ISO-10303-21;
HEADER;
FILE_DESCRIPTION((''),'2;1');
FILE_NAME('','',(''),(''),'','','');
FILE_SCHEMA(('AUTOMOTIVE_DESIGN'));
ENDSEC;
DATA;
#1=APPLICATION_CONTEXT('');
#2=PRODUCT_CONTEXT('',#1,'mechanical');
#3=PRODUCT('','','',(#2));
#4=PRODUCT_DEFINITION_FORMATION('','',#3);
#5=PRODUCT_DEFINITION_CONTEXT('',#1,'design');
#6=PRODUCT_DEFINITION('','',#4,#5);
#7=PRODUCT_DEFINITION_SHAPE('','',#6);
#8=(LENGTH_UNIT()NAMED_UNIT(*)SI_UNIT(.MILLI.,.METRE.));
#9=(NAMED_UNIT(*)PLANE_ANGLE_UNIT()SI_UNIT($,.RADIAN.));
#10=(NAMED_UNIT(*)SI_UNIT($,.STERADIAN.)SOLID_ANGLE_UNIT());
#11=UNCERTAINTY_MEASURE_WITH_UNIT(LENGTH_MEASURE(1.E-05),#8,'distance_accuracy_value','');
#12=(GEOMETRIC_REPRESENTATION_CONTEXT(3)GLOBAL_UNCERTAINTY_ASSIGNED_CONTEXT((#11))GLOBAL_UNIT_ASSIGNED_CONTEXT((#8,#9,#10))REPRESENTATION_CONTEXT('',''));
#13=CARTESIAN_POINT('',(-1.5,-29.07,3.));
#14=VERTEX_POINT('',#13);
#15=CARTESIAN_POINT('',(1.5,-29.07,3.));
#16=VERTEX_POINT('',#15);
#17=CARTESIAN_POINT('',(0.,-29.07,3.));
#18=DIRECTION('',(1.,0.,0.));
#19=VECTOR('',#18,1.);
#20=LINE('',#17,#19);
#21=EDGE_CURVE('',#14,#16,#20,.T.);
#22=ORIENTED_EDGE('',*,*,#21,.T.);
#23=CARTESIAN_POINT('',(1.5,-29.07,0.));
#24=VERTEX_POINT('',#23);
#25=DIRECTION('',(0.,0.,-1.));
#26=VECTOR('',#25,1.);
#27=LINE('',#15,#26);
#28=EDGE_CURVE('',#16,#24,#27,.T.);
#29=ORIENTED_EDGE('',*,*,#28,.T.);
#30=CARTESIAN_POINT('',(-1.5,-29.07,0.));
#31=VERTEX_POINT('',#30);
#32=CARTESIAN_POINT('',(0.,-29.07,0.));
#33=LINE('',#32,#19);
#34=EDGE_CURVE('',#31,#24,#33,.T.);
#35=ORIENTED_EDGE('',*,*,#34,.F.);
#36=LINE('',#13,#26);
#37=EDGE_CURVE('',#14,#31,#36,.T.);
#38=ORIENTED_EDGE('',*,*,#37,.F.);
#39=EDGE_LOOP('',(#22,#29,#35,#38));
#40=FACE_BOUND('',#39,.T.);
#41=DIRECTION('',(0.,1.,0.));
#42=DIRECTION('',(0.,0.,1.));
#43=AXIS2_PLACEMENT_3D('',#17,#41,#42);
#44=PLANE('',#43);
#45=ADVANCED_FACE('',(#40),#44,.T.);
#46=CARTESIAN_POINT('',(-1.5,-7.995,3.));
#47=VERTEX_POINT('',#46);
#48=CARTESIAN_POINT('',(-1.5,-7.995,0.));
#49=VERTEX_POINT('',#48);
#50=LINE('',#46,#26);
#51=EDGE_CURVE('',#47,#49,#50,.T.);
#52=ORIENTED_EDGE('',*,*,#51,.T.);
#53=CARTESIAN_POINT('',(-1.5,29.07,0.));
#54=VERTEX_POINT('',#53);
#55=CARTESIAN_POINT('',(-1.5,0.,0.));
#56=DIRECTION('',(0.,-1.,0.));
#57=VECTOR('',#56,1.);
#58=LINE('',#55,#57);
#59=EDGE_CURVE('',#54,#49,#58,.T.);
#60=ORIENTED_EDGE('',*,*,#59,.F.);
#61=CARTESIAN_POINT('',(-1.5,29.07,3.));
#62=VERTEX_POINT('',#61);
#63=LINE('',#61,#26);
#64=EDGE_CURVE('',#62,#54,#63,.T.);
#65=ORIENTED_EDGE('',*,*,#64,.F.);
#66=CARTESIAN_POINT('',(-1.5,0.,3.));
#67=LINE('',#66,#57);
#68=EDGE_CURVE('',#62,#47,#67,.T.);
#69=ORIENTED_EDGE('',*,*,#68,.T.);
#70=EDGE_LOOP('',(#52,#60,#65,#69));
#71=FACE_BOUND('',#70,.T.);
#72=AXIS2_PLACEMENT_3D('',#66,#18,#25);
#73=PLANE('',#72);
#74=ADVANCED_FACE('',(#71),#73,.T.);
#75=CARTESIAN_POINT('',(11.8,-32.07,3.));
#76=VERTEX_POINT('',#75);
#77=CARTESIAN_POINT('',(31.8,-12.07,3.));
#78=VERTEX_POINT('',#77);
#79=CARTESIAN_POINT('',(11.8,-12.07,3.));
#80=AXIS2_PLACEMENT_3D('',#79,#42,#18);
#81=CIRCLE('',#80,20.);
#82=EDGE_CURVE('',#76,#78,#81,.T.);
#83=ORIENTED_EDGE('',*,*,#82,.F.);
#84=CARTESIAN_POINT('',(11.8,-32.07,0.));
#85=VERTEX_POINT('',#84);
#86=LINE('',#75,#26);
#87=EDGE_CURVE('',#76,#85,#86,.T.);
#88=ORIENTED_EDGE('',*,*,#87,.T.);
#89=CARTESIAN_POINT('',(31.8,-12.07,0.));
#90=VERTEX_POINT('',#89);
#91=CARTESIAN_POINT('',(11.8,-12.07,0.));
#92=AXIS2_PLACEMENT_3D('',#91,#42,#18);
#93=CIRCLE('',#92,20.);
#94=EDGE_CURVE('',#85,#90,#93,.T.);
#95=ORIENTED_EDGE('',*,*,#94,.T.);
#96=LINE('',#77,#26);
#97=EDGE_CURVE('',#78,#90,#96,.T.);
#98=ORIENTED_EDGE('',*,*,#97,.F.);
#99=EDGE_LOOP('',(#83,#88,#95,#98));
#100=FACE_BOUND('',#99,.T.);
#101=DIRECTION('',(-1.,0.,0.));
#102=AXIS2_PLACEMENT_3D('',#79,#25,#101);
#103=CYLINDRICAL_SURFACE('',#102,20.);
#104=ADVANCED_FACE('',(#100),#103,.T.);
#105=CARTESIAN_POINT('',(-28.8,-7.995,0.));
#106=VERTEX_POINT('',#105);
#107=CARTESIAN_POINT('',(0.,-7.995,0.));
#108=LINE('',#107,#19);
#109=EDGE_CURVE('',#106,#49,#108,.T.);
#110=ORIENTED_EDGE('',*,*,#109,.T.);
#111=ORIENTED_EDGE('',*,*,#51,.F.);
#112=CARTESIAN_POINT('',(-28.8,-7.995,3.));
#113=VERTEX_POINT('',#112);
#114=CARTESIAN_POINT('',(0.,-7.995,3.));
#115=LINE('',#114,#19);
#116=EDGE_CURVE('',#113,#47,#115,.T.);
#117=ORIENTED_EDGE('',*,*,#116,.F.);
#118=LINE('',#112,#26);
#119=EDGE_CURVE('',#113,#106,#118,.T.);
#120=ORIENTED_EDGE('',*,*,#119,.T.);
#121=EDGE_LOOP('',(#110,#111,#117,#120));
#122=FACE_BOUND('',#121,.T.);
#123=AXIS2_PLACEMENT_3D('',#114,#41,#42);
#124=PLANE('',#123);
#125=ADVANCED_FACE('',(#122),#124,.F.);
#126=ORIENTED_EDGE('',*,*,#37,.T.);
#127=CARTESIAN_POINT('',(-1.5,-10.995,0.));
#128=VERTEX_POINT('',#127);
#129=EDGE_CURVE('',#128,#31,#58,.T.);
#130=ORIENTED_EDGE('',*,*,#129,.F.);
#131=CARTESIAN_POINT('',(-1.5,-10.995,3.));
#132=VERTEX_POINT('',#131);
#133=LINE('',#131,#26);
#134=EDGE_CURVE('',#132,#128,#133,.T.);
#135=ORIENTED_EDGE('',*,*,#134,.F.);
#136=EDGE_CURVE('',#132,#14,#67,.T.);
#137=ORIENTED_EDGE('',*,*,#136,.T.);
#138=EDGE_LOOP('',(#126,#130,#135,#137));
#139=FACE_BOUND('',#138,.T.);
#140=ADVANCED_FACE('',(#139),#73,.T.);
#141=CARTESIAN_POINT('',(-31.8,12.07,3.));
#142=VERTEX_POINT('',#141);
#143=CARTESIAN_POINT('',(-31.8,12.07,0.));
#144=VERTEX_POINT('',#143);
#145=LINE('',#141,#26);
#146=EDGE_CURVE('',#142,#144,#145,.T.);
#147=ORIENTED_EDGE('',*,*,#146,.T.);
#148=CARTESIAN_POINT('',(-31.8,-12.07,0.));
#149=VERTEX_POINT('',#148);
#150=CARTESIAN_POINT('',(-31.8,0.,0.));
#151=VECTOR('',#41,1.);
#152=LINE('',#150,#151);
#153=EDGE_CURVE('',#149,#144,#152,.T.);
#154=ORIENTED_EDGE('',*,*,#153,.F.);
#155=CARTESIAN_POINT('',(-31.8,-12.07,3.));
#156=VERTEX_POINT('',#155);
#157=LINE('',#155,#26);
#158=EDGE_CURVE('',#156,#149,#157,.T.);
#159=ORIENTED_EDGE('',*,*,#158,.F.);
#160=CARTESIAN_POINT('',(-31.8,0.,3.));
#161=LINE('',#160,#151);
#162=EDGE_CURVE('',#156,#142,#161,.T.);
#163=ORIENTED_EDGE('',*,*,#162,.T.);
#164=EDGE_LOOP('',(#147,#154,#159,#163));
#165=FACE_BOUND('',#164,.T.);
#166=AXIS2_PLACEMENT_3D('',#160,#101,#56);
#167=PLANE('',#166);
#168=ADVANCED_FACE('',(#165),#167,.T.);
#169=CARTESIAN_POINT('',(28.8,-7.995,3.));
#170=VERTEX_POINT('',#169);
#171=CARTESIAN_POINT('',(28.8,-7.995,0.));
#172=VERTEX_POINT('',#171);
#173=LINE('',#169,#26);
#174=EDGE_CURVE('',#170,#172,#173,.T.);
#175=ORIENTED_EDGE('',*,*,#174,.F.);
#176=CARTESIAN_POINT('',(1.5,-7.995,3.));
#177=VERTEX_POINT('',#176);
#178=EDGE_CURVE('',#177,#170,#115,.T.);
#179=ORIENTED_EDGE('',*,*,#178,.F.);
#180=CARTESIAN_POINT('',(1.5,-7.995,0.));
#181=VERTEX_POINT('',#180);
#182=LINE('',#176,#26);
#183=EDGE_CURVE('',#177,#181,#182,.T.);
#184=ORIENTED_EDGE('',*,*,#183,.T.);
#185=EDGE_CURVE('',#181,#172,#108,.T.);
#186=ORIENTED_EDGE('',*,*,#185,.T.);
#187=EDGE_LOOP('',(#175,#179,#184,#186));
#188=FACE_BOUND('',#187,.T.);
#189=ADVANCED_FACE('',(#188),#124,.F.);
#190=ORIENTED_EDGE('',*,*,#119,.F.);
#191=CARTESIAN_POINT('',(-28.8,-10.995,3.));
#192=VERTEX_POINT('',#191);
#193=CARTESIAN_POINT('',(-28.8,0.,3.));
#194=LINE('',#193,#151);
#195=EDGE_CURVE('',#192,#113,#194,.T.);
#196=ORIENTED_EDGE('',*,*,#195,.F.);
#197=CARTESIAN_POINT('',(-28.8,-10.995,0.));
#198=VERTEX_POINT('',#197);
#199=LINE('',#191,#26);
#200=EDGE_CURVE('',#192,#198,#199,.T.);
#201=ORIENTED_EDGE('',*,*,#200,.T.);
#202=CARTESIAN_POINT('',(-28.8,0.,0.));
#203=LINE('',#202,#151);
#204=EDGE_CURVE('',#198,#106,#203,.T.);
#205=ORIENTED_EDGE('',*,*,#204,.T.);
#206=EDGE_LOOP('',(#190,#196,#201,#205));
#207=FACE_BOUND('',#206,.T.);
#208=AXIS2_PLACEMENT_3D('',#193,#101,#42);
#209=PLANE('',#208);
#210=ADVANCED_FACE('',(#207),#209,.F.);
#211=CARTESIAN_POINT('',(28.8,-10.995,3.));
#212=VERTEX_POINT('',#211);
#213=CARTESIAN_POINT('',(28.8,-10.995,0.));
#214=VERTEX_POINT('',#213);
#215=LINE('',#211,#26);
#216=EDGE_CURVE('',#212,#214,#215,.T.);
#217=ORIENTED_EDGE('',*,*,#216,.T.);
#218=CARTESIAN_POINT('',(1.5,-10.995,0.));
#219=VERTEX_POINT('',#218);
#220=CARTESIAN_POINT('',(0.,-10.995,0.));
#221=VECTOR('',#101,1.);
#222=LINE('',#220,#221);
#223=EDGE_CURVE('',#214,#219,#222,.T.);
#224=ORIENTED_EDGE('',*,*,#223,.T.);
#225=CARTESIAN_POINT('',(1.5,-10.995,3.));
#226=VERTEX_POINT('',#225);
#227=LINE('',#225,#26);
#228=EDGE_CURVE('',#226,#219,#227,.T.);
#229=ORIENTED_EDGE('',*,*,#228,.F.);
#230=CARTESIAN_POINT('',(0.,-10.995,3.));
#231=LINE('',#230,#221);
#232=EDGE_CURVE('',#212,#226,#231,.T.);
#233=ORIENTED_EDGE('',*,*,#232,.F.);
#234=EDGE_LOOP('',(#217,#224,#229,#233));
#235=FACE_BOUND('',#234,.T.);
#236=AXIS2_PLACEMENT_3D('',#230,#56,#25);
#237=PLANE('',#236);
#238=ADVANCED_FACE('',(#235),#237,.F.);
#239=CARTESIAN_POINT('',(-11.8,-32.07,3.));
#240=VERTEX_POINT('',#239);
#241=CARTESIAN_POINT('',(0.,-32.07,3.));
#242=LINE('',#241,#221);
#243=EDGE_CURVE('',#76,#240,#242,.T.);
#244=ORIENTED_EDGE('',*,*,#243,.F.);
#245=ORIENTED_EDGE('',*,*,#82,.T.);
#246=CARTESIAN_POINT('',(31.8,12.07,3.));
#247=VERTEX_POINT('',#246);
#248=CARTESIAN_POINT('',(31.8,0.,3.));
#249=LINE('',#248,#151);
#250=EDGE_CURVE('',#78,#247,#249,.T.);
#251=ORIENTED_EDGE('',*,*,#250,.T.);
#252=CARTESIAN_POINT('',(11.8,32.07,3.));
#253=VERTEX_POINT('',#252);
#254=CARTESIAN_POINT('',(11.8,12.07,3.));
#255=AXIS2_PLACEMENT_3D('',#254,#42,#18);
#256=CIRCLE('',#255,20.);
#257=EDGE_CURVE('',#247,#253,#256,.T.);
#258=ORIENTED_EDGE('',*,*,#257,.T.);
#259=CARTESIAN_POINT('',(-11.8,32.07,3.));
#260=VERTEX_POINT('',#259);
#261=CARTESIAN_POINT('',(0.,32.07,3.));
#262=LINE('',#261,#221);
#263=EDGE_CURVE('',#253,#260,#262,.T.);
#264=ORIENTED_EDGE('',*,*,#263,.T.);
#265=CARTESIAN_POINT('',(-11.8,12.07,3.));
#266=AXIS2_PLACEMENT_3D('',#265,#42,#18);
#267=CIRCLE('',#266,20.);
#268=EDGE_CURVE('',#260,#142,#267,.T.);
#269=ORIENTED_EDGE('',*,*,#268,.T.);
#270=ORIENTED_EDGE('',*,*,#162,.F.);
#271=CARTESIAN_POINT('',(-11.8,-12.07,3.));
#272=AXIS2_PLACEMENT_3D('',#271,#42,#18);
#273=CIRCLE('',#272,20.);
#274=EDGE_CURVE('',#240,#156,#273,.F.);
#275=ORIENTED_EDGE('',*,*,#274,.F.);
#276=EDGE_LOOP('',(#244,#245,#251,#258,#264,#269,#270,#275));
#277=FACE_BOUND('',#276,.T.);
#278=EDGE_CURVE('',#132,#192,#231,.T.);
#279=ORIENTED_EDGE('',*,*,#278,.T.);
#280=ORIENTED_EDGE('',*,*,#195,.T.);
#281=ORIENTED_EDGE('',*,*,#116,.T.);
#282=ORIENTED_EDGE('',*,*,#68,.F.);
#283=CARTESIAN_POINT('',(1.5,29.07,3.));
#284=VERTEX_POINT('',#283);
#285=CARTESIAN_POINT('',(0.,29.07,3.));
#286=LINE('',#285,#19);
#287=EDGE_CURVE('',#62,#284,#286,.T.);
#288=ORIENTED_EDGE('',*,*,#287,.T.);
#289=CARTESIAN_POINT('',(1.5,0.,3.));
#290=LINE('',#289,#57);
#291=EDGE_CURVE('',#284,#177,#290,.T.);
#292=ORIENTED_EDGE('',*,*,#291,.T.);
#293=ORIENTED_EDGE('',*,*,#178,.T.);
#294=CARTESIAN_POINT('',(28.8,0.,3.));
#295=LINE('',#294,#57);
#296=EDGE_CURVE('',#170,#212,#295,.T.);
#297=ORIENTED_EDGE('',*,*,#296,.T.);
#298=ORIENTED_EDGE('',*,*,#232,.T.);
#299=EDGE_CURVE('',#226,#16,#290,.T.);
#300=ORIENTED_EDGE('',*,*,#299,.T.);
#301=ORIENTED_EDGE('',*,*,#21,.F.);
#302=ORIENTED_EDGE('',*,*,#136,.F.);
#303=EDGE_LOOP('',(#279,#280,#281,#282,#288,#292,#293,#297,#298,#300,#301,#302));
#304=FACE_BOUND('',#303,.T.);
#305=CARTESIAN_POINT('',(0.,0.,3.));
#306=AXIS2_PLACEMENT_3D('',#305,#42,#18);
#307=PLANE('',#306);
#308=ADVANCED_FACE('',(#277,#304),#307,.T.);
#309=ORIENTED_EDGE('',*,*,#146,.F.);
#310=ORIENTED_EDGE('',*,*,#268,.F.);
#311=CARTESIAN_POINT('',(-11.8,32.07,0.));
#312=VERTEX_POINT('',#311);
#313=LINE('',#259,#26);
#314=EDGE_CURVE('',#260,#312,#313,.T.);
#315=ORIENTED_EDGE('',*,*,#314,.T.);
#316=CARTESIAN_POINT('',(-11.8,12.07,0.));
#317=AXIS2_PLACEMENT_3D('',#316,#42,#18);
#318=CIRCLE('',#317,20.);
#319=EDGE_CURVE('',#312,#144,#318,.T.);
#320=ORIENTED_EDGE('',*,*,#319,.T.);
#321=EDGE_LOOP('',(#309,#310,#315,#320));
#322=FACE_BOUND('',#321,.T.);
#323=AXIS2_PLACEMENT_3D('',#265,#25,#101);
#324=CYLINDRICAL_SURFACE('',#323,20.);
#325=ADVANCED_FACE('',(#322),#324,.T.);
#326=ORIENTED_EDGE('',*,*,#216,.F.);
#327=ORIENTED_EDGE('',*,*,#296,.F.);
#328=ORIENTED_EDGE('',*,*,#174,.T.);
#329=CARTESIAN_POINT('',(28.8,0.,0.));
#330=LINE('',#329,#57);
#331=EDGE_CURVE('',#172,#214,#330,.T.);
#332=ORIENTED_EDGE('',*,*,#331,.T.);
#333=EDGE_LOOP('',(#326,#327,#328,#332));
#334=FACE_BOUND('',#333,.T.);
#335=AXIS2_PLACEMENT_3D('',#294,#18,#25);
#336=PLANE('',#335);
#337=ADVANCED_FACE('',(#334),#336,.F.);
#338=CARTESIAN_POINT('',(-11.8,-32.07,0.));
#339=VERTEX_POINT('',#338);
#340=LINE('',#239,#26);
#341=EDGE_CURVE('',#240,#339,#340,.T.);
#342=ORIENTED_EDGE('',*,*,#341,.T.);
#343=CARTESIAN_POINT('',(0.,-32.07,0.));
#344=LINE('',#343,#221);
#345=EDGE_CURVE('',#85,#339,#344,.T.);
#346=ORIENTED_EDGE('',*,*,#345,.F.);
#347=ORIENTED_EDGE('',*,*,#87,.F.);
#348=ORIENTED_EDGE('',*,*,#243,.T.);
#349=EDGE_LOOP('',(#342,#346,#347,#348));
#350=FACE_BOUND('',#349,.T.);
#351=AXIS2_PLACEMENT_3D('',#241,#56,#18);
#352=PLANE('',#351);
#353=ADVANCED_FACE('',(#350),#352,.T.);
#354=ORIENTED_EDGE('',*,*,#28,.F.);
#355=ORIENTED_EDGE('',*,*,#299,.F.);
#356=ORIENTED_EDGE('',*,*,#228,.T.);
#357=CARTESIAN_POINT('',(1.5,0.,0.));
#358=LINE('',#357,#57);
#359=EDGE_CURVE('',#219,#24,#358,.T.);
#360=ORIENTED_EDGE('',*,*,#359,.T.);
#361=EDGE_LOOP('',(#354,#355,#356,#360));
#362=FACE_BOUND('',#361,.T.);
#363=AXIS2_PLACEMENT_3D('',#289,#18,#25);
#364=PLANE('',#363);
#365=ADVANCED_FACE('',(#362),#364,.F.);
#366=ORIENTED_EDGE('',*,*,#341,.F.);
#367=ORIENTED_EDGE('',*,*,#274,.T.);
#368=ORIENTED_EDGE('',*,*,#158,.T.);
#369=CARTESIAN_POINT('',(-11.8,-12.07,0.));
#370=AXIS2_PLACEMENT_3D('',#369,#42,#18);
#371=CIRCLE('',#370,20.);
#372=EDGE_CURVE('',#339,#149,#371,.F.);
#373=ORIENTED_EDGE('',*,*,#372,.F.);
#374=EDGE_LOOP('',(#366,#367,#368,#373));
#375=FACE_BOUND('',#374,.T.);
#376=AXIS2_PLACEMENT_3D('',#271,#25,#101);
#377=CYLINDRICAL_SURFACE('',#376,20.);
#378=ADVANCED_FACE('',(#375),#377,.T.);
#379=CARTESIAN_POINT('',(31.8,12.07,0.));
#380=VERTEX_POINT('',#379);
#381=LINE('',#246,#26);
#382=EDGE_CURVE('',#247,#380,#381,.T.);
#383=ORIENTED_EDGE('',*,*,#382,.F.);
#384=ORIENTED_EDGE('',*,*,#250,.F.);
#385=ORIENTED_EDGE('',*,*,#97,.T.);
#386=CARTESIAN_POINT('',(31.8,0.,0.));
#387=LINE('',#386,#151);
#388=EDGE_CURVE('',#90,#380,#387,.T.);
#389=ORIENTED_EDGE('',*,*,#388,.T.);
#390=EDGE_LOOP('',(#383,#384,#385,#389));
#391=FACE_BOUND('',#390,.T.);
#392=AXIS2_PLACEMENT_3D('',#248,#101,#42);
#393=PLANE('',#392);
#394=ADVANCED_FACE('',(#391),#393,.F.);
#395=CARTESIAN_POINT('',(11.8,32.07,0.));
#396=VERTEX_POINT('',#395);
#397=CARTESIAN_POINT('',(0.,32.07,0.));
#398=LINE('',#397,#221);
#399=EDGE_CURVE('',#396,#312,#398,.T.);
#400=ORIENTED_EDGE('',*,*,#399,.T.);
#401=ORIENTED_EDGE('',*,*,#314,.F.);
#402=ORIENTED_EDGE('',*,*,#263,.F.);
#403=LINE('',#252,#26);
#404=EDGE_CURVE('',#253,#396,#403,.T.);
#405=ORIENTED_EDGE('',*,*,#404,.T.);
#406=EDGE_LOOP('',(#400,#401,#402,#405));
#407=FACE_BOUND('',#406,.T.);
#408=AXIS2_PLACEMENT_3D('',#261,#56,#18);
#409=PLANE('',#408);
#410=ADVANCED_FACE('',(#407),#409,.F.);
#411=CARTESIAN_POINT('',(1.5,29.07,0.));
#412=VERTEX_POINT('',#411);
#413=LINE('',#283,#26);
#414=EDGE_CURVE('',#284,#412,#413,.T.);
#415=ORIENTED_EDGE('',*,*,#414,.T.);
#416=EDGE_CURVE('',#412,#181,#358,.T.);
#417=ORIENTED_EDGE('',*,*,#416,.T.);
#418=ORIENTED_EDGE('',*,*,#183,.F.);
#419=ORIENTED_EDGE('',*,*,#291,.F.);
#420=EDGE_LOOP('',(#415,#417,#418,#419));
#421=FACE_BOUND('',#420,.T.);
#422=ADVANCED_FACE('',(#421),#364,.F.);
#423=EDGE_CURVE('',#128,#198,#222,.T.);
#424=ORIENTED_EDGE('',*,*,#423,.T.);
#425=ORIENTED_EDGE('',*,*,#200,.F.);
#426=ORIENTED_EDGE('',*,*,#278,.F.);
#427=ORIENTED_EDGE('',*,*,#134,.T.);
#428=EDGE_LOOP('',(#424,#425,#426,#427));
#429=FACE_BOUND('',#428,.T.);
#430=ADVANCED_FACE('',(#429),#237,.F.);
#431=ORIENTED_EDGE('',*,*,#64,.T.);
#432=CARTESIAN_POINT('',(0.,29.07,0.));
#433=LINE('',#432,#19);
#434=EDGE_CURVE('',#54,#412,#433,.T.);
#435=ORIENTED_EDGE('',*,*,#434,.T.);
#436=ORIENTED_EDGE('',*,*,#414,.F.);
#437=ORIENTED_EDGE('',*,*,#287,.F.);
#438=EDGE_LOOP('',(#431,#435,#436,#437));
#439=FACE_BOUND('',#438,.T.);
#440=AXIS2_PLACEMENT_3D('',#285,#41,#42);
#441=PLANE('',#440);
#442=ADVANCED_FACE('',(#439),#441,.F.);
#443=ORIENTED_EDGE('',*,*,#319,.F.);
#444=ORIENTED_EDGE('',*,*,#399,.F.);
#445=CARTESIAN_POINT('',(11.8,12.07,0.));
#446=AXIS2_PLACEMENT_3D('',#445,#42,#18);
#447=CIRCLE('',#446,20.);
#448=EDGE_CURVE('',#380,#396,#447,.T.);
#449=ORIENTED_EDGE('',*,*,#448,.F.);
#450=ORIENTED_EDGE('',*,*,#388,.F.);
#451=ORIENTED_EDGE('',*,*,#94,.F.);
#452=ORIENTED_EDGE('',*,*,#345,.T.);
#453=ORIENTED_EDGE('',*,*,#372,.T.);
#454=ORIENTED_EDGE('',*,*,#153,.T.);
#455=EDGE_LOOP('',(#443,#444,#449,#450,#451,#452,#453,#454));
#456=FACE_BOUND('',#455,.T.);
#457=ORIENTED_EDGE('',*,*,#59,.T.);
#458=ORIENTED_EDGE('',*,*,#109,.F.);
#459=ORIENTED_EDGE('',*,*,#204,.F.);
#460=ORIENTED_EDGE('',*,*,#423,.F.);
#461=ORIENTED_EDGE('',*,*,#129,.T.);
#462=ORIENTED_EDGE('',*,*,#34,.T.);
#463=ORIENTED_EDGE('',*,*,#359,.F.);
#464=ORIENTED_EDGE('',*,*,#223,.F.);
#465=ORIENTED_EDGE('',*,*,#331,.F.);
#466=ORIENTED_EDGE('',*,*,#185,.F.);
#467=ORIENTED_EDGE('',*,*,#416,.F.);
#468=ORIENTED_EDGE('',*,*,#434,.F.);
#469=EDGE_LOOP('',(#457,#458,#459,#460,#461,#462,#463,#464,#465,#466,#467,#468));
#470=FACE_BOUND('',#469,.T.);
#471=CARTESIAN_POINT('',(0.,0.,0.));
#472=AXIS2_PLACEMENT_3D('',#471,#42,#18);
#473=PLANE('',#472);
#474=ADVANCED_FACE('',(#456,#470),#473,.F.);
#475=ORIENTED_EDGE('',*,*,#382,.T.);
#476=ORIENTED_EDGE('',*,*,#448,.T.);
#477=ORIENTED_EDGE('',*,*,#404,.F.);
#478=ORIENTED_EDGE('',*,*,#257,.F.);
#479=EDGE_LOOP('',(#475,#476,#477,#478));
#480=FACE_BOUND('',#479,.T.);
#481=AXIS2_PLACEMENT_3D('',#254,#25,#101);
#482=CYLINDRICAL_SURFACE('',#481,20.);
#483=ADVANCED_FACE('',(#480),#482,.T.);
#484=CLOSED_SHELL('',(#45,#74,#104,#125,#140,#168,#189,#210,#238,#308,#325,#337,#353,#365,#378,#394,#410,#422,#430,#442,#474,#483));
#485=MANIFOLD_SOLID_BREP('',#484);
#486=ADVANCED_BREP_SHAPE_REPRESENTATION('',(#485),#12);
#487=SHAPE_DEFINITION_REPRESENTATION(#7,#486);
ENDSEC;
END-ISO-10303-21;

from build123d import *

# Parameters (mm, degrees)
SALIENTE_EXTRUIR1_DEPTH = 3


with BuildPart() as part:
    # Croquis1 → Saliente-Extruir1 (new body)
    with BuildSketch(Plane.XY):
        with BuildLine():
            Line((-11.8, -32.07), (11.8, -32.07))
            ThreePointArc((11.8, -32.07), (25.942135624, -26.212135624), (31.8, -12.07))
            Line((31.8, -12.07), (31.8, 12.07))
            ThreePointArc((31.8, 12.07), (25.942135624, 26.212135624), (11.8, 32.07))
            Line((11.8, 32.07), (-11.8, 32.07))
            ThreePointArc((-11.8, 32.07), (-25.942135624, 26.212135624), (-31.8, 12.07))
            Line((-31.8, 12.07), (-31.8, -12.07))
            ThreePointArc((-31.8, -12.07), (-25.942135624, -26.212135624), (-11.8, -32.07))
        make_face()
        Polygon((-28.8, -10.995), (-28.8, -7.995), (-1.5, -7.995), (-1.5, 29.07), (1.5, 29.07), (1.5, -7.995), (28.8, -7.995), (28.8, -10.995), (1.5, -10.995), (1.5, -29.07), (-1.5, -29.07), (-1.5, -10.995), align=None, mode=Mode.SUBTRACT)
    extrude(amount=SALIENTE_EXTRUIR1_DEPTH)


solid = part.part
